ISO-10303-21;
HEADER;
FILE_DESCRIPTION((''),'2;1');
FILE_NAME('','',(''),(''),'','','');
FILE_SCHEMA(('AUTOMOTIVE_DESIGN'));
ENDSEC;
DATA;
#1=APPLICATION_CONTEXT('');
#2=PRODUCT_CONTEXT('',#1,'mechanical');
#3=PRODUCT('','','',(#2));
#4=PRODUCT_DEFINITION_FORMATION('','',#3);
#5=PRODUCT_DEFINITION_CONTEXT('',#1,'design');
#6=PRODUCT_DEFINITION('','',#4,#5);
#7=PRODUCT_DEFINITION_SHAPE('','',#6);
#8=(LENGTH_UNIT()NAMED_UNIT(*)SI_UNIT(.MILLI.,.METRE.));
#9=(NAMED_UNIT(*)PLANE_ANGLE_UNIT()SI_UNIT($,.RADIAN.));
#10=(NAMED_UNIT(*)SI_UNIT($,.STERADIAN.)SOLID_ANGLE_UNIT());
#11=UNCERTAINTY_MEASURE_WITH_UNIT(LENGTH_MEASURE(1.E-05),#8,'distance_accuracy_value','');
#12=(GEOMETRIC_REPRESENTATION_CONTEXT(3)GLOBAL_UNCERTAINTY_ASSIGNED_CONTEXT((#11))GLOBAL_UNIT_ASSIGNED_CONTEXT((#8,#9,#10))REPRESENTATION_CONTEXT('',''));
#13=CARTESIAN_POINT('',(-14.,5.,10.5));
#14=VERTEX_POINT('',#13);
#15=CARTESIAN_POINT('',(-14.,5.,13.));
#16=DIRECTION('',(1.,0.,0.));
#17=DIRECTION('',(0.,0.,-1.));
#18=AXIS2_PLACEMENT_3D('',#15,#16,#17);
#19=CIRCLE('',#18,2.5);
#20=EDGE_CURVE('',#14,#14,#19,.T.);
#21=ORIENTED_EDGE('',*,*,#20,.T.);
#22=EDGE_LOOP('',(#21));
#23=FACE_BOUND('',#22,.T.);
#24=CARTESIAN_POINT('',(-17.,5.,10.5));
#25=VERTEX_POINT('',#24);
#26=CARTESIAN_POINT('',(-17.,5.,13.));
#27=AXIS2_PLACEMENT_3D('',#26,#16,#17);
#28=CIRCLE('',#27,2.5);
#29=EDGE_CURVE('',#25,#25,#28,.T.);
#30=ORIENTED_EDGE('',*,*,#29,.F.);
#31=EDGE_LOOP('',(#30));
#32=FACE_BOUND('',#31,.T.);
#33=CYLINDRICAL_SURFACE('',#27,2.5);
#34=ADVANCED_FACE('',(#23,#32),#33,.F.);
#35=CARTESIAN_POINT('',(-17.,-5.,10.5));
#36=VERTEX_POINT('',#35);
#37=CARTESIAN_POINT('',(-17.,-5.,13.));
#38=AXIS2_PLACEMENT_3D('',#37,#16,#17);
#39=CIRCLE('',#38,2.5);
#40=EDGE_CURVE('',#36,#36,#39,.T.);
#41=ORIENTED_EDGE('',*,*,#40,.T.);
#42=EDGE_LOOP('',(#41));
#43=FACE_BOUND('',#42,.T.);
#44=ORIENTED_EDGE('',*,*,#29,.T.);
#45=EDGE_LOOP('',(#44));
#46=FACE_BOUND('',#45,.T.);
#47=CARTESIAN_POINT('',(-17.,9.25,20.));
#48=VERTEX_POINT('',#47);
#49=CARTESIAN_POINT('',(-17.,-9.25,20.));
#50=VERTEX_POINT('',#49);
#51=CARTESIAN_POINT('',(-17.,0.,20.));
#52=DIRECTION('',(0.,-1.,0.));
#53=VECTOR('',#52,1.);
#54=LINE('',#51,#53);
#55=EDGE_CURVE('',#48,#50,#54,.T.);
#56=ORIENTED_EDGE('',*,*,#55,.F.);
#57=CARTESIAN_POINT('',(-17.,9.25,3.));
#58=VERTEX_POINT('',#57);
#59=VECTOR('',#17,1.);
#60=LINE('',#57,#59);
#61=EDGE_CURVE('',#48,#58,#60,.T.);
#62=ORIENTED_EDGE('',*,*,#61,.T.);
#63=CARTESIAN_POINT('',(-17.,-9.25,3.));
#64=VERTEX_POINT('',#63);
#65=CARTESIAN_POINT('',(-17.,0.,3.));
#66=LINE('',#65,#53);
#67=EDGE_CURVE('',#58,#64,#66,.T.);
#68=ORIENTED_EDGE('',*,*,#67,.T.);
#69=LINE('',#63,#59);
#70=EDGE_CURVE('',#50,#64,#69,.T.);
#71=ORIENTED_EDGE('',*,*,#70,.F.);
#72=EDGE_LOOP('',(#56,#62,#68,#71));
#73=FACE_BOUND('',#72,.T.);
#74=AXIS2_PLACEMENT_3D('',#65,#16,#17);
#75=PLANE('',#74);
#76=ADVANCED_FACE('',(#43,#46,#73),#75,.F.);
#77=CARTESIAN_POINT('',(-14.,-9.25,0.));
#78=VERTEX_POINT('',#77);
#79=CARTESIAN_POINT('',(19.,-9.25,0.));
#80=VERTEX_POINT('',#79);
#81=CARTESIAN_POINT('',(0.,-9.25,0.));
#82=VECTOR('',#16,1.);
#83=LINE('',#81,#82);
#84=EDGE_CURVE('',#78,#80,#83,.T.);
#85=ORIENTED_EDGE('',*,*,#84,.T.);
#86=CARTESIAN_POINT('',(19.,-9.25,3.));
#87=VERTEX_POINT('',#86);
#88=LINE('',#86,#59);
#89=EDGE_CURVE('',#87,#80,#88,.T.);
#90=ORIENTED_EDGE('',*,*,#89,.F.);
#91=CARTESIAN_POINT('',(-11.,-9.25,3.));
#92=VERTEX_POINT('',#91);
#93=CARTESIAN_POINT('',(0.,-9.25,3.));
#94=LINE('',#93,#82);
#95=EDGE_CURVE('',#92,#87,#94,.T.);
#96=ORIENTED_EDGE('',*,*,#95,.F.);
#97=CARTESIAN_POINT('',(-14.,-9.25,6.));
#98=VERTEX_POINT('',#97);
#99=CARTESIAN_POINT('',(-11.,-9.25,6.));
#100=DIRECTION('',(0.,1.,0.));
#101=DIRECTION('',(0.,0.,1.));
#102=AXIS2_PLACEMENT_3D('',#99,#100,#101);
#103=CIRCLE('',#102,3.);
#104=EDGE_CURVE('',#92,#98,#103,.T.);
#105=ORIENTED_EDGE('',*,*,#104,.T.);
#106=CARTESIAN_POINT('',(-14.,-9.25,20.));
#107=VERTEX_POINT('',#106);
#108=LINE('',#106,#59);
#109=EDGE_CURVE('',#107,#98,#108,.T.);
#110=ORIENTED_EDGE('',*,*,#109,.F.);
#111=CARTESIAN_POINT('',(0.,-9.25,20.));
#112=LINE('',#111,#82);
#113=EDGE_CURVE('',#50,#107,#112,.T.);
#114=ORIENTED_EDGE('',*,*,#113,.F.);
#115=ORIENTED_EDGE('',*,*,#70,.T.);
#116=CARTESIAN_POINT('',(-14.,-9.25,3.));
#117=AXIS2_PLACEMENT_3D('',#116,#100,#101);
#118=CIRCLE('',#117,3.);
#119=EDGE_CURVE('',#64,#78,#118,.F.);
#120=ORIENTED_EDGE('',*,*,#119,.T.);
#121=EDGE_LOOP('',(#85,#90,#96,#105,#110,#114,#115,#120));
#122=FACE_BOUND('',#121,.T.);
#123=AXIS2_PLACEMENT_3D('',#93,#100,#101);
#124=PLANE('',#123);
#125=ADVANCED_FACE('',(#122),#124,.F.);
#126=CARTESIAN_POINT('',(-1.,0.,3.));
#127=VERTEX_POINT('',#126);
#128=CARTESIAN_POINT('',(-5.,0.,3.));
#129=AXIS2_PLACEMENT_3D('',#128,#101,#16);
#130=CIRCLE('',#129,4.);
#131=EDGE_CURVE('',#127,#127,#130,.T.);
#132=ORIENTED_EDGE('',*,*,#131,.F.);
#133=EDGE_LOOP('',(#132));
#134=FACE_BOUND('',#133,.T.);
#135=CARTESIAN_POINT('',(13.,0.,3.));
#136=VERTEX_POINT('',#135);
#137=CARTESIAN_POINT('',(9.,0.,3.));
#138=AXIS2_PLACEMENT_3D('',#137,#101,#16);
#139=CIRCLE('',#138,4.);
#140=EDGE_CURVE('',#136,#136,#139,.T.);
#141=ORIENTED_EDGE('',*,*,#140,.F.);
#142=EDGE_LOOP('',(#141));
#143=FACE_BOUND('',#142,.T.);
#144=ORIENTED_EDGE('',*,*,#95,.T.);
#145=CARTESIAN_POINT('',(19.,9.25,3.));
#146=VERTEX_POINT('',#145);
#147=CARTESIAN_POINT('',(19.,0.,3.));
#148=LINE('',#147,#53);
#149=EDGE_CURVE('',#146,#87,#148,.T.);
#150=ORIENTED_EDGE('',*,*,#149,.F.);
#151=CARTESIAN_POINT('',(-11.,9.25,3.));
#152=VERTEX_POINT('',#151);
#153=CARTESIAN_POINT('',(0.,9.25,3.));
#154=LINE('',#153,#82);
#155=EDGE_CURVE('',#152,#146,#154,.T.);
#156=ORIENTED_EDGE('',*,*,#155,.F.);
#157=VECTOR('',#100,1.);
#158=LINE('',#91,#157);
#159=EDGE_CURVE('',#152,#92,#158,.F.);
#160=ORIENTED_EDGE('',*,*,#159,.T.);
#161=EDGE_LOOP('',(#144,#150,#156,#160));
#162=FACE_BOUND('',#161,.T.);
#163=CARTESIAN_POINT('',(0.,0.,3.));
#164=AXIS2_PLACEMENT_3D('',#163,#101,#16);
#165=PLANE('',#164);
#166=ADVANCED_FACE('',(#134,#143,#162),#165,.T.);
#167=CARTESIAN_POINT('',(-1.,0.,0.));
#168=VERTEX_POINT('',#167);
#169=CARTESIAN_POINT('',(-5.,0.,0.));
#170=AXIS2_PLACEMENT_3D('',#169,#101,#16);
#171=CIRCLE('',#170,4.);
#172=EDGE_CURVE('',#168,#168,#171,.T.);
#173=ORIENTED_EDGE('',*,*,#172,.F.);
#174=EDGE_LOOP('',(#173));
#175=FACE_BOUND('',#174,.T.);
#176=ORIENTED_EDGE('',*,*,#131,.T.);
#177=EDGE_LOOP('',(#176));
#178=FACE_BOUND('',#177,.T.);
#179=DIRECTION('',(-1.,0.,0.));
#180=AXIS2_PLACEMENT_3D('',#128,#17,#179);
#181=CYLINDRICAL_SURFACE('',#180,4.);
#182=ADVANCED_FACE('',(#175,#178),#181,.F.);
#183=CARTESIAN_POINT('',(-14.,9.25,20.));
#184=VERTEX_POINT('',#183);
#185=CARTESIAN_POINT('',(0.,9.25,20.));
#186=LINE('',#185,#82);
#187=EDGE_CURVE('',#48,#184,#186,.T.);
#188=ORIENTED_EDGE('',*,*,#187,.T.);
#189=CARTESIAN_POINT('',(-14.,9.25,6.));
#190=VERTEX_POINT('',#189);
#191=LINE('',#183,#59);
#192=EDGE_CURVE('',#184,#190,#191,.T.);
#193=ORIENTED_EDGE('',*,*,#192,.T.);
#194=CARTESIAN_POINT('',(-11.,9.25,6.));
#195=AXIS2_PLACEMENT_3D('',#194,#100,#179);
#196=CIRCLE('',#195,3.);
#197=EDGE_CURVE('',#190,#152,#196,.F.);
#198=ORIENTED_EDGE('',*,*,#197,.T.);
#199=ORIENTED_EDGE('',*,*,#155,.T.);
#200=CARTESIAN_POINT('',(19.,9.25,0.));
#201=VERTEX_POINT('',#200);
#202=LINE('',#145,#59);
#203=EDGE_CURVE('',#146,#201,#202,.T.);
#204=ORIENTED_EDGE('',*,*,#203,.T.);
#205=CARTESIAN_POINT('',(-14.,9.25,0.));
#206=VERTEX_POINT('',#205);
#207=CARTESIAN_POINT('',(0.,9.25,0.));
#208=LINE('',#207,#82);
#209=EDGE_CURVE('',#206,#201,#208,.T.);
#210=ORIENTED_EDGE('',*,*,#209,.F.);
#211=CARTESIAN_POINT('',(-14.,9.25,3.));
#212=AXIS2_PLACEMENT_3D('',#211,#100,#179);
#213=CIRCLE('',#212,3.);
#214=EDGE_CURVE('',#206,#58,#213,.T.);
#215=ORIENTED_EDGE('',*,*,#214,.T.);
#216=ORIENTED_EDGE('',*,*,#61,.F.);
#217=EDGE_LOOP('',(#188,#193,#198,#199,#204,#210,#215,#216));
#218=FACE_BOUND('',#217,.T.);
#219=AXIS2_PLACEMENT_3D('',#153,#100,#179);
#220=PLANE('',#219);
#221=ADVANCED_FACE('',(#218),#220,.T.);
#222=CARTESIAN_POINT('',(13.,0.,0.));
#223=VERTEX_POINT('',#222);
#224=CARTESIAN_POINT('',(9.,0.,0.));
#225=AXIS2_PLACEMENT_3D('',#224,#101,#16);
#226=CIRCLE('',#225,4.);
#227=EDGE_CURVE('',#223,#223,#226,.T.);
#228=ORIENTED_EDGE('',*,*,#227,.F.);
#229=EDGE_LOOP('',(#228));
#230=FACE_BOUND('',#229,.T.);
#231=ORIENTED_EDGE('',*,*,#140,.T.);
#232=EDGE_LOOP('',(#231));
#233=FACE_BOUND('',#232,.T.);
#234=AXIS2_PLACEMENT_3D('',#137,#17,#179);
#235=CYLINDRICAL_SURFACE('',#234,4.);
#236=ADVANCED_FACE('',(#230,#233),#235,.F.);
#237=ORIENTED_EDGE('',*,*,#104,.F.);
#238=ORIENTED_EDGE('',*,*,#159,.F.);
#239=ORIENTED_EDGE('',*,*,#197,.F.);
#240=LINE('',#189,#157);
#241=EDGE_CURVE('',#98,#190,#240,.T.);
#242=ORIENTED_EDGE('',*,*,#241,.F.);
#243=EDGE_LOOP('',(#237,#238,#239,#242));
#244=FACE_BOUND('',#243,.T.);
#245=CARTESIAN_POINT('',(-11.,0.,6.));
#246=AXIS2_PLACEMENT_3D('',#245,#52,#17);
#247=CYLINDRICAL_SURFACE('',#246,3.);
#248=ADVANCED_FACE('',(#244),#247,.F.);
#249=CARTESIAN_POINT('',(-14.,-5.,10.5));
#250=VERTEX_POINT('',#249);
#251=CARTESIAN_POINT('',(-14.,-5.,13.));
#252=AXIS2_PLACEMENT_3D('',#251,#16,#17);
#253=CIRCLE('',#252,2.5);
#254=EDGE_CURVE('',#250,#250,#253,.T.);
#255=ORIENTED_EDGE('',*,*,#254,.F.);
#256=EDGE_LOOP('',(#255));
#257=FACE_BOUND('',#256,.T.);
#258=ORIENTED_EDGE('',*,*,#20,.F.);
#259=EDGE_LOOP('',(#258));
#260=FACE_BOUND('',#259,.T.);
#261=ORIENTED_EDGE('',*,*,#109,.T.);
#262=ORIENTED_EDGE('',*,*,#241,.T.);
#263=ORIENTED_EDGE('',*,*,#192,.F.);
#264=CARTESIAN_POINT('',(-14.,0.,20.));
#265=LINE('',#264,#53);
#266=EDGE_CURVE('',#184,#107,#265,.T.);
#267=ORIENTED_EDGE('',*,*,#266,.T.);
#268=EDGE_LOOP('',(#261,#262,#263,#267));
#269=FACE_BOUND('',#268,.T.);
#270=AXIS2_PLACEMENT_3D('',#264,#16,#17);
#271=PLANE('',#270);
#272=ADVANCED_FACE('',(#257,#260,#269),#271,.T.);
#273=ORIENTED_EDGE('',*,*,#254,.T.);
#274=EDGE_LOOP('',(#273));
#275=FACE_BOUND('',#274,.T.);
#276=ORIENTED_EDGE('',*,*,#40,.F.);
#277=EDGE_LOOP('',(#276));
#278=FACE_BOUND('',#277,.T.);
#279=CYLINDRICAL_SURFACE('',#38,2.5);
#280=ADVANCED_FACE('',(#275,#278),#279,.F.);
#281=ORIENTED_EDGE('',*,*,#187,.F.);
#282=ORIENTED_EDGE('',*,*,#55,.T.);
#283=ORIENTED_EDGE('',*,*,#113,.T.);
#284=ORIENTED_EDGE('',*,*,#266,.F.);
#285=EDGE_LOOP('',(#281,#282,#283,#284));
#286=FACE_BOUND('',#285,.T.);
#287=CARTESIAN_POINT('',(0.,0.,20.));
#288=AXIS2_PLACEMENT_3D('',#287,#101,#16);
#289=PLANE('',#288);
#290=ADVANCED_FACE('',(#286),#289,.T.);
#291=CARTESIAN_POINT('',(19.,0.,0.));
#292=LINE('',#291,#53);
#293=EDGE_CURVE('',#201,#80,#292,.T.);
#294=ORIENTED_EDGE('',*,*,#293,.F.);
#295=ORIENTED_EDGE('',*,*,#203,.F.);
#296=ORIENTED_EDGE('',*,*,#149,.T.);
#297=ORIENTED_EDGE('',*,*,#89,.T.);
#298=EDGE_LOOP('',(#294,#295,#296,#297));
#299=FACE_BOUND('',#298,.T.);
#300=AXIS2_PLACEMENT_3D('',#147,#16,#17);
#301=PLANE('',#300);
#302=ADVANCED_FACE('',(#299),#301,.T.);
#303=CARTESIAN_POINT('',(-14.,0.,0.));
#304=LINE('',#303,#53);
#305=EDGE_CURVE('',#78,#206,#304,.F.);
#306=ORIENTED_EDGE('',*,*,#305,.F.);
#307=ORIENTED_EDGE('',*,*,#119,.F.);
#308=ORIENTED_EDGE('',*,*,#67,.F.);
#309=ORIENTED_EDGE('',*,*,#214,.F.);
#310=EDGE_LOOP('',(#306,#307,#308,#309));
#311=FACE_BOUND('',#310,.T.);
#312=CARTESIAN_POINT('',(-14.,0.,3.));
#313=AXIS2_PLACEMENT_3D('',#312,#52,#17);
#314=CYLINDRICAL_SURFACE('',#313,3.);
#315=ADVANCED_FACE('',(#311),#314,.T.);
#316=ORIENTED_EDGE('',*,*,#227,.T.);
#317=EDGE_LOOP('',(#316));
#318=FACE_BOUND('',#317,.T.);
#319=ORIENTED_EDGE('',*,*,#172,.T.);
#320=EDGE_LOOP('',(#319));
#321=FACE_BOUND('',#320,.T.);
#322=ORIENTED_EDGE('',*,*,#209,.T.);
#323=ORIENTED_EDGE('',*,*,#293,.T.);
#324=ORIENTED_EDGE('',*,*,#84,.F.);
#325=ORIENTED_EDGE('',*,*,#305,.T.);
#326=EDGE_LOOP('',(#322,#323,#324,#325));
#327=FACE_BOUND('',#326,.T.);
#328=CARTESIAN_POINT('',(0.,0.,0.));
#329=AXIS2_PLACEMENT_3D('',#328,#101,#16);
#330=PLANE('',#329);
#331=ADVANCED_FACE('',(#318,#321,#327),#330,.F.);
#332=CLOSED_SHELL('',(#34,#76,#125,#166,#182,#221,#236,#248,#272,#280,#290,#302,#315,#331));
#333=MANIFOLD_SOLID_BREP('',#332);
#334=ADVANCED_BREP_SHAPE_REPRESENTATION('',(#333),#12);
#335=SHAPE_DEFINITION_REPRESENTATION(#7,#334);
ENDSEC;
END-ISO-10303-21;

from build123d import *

# Parameters (mm, degrees)
SKETCH1_W           = 36
SKETCH1_H           = 18.5
SKETCH1_R           = 4
BOSS_EXTRUDE1_DEPTH = 3
SKETCH1_3_W         = 3
SKETCH1_3_H         = 18.5
BOSS_EXTRUDE2_DEPTH = 20
FILLET1_R           = 3
SKETCH2_R           = 2.5
CUT_EXTRUDE1_DEPTH  = 40.680757301


with BuildPart() as part:
    # Sketch1 → Boss-Extrude1 (new body)
    with BuildSketch(Plane.XY):
        with Locations((1, 0)):
            Rectangle(SKETCH1_W, SKETCH1_H)
        with Locations((9, 0)):
            Circle(SKETCH1_R, mode=Mode.SUBTRACT)
        with Locations((-5, 0)):
            Circle(SKETCH1_R, mode=Mode.SUBTRACT)
    extrude(amount=BOSS_EXTRUDE1_DEPTH)

    # Sketch1<3> → Boss-Extrude2 (add)
    with BuildSketch(Plane.XY):
        with Locations((-15.5, 0)):
            Rectangle(SKETCH1_3_W, SKETCH1_3_H)
    extrude(amount=BOSS_EXTRUDE2_DEPTH)

    # Fillet1
    fillet1_edges = [part.edges().sort_by_distance(p)[0] for p in [
        (-17, 0, 0),
        (-14, 0, 3),
    ]]
    fillet(fillet1_edges, radius=FILLET1_R)

    # Sketch2 → Cut-Extrude1 (cut, through all)
    with BuildSketch(Plane(origin=(-14, 0, 0), x_dir=(0, 0, -1), z_dir=(1, 0, 0))):
        with Locations((-13, 5)):
            Circle(SKETCH2_R)
        with Locations((-13, -5)):
            Circle(SKETCH2_R)
    extrude(amount=-CUT_EXTRUDE1_DEPTH, mode=Mode.SUBTRACT)


solid = part.part
